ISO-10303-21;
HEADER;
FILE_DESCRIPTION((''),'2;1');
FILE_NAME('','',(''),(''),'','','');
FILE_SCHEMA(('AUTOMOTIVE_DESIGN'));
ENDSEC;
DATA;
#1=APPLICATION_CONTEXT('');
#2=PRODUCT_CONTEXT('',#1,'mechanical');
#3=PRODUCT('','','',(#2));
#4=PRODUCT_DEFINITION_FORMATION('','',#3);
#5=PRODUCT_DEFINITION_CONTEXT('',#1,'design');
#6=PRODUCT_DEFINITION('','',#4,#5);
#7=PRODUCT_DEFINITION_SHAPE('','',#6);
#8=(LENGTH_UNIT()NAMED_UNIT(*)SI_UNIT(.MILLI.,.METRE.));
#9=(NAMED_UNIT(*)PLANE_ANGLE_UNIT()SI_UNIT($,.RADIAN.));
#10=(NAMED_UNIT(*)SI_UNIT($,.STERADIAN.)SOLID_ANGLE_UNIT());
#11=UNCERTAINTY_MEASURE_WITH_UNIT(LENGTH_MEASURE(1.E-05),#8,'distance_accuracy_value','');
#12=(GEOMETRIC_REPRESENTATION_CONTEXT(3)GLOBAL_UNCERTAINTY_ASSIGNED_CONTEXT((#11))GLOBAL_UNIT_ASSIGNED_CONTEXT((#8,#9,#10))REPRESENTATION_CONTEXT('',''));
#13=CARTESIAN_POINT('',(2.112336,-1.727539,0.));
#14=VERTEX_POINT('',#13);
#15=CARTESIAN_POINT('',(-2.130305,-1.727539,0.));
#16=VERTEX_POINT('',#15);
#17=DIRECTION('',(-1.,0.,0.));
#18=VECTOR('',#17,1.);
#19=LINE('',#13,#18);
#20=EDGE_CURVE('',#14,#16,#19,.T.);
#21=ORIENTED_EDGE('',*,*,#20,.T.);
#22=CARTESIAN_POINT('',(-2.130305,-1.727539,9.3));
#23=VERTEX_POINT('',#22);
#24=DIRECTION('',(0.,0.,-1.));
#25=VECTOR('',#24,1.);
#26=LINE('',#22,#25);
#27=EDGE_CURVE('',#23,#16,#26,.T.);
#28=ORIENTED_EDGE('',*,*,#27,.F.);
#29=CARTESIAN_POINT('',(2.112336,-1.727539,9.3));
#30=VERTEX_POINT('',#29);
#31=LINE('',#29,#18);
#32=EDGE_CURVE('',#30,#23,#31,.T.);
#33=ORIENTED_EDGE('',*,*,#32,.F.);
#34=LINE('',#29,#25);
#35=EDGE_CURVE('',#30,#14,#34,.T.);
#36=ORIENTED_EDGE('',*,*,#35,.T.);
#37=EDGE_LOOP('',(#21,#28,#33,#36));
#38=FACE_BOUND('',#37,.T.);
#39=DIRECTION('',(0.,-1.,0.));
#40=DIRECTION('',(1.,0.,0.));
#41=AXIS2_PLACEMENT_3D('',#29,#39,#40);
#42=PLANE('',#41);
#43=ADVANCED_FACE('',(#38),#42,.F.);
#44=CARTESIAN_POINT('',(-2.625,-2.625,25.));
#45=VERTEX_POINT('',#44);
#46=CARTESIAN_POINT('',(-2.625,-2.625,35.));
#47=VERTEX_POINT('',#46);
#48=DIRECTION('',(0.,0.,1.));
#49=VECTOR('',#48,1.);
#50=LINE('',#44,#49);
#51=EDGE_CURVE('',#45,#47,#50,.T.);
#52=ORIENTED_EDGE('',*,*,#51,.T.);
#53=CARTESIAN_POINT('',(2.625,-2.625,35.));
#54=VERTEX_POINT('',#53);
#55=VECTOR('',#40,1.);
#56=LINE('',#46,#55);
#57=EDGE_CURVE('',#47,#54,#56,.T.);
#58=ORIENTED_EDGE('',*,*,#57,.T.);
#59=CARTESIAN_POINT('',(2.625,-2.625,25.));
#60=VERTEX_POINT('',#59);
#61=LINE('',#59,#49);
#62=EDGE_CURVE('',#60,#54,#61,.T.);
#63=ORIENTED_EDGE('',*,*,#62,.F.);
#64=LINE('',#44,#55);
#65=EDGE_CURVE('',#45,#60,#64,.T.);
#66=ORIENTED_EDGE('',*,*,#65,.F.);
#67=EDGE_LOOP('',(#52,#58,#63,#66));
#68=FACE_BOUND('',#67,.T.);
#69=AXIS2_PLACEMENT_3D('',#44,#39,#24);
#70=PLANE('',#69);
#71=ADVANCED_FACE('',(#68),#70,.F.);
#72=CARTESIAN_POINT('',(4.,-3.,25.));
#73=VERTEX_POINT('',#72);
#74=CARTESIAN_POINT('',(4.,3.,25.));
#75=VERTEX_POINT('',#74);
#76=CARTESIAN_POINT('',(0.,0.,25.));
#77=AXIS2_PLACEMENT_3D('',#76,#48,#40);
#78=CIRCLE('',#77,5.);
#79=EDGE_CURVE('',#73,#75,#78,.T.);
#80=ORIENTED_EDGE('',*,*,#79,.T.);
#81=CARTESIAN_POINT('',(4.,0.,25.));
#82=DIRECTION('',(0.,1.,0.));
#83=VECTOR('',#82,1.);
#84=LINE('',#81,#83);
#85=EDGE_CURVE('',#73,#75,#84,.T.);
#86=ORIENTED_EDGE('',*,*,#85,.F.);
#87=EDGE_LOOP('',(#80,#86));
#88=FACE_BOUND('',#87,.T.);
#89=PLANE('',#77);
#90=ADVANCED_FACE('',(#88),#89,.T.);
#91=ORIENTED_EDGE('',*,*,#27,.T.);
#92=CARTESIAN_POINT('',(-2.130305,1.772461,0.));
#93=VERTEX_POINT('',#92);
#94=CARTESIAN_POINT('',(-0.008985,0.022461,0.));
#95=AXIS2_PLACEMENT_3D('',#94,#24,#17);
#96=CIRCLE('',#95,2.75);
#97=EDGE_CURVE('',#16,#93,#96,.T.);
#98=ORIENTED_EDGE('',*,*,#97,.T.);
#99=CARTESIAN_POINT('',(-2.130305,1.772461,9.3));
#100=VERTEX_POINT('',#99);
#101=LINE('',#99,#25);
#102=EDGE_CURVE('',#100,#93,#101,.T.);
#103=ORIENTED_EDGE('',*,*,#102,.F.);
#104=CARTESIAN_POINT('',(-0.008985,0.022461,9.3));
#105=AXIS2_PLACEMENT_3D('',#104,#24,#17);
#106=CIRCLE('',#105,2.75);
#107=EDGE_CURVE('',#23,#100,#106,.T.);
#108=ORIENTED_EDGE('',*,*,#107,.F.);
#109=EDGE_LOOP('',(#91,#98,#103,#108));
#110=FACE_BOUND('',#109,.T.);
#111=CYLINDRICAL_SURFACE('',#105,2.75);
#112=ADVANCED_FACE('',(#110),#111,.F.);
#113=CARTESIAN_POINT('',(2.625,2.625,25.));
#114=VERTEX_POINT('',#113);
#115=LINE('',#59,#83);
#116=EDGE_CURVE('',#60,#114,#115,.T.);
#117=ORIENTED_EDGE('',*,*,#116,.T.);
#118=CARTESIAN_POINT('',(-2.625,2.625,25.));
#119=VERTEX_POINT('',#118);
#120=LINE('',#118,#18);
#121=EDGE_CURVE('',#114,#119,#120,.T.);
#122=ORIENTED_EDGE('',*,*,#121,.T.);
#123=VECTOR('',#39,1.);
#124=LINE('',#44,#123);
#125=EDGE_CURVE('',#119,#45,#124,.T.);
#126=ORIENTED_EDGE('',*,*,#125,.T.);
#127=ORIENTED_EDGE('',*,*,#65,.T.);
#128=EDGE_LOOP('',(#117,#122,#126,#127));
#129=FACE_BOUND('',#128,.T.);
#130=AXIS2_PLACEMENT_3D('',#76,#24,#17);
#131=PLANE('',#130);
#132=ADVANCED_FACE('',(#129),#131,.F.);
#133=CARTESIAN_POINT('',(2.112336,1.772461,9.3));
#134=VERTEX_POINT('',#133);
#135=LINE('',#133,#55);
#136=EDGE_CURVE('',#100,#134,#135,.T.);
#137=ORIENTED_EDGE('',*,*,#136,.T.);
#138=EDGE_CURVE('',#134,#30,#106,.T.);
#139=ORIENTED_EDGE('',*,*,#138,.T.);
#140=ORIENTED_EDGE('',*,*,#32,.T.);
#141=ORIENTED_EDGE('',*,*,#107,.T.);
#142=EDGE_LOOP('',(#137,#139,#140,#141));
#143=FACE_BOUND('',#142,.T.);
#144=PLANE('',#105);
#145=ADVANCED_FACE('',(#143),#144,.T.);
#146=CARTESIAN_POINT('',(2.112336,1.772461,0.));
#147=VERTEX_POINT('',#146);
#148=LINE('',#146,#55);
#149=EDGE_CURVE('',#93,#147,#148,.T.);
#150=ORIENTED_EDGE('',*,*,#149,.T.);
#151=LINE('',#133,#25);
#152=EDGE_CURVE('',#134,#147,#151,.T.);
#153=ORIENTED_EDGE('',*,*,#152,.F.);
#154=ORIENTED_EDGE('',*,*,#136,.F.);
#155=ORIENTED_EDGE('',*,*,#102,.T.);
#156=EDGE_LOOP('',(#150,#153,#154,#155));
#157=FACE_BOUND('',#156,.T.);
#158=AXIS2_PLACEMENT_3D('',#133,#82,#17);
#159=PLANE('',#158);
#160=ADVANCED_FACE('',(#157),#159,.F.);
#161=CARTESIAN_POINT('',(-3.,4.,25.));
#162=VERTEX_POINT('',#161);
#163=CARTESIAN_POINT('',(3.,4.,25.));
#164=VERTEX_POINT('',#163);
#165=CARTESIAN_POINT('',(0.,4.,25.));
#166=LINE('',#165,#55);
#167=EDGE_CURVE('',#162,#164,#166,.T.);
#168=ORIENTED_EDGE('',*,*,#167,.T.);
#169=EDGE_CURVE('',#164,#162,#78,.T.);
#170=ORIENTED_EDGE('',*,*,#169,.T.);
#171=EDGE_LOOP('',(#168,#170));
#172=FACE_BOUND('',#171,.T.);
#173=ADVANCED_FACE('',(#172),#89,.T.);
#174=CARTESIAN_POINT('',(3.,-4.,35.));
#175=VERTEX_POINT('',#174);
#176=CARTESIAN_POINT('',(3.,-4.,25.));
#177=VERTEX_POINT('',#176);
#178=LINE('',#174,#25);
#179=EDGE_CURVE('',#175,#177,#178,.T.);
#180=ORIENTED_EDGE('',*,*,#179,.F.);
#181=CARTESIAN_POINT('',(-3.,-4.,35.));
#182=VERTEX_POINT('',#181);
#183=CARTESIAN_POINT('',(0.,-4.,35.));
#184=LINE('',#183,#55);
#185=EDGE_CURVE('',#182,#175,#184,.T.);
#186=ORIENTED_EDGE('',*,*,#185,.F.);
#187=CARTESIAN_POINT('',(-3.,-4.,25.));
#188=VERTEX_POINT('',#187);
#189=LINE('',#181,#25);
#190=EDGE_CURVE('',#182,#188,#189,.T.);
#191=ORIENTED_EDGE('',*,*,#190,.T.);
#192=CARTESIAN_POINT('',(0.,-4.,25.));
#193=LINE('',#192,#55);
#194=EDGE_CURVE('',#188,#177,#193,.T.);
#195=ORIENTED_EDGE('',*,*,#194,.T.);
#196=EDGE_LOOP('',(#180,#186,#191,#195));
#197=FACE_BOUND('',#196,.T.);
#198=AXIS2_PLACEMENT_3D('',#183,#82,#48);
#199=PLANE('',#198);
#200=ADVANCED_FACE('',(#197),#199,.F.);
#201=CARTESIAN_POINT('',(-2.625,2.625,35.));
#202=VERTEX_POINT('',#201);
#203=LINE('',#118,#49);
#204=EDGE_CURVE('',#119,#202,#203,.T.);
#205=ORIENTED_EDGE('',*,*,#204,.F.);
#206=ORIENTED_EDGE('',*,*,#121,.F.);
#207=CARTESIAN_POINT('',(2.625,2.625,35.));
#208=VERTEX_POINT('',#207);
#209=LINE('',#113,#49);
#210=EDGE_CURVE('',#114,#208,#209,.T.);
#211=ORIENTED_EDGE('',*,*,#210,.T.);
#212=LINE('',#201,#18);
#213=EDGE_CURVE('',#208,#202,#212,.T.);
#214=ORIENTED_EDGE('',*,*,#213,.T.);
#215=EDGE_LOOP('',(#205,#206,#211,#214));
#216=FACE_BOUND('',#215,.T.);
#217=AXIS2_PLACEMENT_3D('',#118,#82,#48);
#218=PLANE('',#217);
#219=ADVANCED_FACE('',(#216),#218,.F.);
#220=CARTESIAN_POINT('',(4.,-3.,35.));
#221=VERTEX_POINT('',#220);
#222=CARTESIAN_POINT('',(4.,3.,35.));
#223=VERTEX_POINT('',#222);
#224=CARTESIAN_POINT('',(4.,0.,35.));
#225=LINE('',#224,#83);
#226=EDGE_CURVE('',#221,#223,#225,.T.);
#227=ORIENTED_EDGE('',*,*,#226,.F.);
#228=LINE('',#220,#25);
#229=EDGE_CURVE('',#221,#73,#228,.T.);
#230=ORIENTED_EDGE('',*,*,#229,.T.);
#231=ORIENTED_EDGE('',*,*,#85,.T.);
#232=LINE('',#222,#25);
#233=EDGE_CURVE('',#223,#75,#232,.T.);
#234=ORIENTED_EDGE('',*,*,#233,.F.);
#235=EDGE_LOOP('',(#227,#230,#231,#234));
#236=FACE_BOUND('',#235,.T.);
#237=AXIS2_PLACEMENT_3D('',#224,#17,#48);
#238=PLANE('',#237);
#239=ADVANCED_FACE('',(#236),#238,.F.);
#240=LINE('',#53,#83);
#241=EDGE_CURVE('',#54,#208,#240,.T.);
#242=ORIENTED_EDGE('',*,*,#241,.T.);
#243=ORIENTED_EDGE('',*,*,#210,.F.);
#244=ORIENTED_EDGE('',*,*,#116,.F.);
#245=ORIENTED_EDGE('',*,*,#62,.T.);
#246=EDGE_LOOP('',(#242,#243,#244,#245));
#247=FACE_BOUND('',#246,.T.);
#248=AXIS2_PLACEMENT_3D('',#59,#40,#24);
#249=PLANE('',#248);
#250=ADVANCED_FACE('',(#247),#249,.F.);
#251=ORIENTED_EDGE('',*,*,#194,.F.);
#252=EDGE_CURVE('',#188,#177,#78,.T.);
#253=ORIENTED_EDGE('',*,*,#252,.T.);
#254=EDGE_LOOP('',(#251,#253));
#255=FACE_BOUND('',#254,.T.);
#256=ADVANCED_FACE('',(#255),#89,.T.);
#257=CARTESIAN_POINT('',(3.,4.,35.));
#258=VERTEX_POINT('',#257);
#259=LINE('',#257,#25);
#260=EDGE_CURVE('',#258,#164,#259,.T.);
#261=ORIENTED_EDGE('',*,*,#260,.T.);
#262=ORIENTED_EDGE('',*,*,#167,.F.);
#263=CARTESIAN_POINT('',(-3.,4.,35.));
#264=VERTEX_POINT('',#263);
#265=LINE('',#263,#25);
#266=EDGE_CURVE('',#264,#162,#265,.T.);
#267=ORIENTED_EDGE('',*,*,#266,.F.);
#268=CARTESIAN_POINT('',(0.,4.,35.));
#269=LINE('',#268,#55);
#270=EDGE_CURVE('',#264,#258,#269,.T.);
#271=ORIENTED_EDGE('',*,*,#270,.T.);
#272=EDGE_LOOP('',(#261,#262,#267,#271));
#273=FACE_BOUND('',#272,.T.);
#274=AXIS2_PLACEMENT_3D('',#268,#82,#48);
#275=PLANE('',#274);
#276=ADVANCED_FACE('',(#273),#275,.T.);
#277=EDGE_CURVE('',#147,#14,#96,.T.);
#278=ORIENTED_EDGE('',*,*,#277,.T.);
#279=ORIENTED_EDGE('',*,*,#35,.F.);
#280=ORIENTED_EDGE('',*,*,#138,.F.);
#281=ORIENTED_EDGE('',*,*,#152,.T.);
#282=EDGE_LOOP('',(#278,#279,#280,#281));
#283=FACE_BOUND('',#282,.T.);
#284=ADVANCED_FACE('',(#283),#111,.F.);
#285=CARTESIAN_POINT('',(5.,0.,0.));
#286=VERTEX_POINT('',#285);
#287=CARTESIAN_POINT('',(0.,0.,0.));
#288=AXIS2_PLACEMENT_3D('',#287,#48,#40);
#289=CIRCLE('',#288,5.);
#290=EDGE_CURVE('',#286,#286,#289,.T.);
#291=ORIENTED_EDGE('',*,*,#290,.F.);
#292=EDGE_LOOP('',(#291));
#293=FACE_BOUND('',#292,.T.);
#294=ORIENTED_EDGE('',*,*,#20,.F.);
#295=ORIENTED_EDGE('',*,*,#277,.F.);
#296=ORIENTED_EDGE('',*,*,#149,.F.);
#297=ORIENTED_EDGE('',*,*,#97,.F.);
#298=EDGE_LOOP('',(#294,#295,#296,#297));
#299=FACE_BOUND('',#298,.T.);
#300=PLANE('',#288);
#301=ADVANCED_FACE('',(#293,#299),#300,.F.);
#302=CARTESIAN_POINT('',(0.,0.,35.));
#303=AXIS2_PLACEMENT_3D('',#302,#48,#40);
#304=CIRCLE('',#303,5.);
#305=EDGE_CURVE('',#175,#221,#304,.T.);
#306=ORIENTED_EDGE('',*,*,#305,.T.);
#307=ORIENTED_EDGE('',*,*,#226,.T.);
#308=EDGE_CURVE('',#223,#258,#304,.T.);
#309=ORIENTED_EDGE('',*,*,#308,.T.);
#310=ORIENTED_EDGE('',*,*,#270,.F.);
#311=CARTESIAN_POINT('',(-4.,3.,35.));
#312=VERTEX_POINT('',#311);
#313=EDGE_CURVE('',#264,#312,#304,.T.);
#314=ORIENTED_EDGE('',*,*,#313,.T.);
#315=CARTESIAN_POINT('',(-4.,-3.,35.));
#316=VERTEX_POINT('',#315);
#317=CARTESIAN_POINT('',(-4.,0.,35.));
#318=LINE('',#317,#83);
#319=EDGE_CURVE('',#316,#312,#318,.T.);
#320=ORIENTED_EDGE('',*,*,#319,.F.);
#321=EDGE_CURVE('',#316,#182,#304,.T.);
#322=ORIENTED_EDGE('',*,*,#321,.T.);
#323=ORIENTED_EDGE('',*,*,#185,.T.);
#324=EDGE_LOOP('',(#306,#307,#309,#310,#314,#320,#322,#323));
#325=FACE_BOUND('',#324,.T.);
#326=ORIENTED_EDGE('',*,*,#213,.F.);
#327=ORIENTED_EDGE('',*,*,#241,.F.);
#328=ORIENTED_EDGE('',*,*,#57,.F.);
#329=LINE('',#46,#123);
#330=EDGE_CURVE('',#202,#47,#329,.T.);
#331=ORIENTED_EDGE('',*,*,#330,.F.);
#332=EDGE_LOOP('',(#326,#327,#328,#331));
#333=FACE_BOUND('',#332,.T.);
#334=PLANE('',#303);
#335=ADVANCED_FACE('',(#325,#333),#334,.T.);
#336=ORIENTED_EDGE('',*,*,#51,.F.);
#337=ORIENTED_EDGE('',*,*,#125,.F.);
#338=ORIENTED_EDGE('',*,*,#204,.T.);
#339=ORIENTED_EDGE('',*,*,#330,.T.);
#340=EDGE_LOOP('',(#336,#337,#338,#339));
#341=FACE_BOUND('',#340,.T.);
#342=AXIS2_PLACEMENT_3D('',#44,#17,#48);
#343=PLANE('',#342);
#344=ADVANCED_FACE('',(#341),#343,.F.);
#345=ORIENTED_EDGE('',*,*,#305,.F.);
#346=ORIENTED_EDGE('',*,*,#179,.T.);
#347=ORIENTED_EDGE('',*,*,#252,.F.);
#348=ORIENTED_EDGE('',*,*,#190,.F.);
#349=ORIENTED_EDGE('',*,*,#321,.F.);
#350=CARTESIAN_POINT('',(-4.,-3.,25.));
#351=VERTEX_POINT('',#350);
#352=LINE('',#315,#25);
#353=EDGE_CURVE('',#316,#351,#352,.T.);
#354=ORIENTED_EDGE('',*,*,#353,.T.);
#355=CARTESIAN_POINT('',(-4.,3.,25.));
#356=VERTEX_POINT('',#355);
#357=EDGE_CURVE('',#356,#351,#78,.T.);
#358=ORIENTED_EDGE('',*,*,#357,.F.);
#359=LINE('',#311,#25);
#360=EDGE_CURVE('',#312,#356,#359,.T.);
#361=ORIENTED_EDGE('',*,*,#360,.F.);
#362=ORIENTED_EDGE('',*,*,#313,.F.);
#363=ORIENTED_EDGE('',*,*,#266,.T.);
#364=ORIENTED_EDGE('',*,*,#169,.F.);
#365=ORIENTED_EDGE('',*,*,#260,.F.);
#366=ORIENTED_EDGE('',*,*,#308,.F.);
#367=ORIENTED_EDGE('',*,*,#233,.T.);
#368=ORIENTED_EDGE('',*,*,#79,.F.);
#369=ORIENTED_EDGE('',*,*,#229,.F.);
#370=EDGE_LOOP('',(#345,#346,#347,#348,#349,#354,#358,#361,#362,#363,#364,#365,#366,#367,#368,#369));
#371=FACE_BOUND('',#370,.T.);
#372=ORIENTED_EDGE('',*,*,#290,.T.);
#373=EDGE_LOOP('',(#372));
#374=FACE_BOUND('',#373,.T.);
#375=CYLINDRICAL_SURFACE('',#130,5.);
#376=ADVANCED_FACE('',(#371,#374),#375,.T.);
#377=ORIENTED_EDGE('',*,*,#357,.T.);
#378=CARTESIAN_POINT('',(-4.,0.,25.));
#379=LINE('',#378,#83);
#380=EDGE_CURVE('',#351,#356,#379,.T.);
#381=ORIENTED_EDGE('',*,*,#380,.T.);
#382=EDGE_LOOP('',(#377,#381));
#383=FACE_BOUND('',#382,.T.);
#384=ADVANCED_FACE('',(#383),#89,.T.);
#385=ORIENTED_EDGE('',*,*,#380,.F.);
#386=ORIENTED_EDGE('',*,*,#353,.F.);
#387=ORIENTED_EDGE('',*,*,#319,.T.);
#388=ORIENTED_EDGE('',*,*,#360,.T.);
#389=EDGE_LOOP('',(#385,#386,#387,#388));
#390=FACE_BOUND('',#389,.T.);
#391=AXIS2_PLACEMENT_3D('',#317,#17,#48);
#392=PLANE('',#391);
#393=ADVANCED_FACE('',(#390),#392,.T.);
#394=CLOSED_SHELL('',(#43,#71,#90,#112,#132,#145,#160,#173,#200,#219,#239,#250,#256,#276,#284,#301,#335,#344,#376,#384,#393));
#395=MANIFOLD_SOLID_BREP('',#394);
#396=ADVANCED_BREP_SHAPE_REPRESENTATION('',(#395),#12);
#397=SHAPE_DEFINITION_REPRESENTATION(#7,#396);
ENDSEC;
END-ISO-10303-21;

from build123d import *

# Parameters (mm, degrees)
SKETCH1_R           = 5
BOSS_EXTRUDE1_DEPTH = 25
CUT_EXTRUDE1_DEPTH  = 9.3
BOSS_EXTRUDE2_DEPTH = 10
SKETCH4_W           = 5.25
SKETCH4_H           = 5.25
CUT_EXTRUDE2_DEPTH  = 10


with BuildPart() as part:
    # Sketch1 → Boss-Extrude1 (new body)
    with BuildSketch(Plane.XY):
        Circle(SKETCH1_R)
    extrude(amount=BOSS_EXTRUDE1_DEPTH)

    # Sketch2 → Cut-Extrude1 (cut)
    with BuildSketch(Plane(origin=(0, 0, 0), x_dir=(-1, 0, 0), z_dir=(0, 0, -1))):
        with BuildLine():
            Line((-2.112335797, -1.727538634), (2.13030489, -1.727538634))
            ThreePointArc((2.13030489, -1.727538634), (2.758984546, 0.022461366), (2.13030489, 1.772461366))
            Line((2.13030489, 1.772461366), (-2.112335797, 1.772461366))
            ThreePointArc((-2.112335797, 1.772461366), (-2.741015454, 0.022461366), (-2.112335797, -1.727538634))
        make_face()
    extrude(amount=-CUT_EXTRUDE1_DEPTH, mode=Mode.SUBTRACT)

    # Sketch3 → Boss-Extrude2 (add)
    with BuildSketch(Plane.XY.offset(25)):
        with BuildLine():
            ThreePointArc((-4, -3), (-3.535533906, -3.535533906), (-3, -4))
            Line((-3, -4), (3, -4))
            ThreePointArc((3, -4), (3.535533906, -3.535533906), (4, -3))
            Line((4, -3), (4, 3))
            ThreePointArc((4, 3), (3.535533906, 3.535533906), (3, 4))
            Line((3, 4), (-3, 4))
            ThreePointArc((-3, 4), (-3.535533906, 3.535533906), (-4, 3))
            Line((-4, 3), (-4, -3))
        make_face()
    extrude(amount=BOSS_EXTRUDE2_DEPTH)

    # Sketch4 → Cut-Extrude2 (cut)
    with BuildSketch(Plane.XY.offset(35)):
        Rectangle(SKETCH4_W, SKETCH4_H)
    extrude(amount=-CUT_EXTRUDE2_DEPTH, mode=Mode.SUBTRACT)


solid = part.part
